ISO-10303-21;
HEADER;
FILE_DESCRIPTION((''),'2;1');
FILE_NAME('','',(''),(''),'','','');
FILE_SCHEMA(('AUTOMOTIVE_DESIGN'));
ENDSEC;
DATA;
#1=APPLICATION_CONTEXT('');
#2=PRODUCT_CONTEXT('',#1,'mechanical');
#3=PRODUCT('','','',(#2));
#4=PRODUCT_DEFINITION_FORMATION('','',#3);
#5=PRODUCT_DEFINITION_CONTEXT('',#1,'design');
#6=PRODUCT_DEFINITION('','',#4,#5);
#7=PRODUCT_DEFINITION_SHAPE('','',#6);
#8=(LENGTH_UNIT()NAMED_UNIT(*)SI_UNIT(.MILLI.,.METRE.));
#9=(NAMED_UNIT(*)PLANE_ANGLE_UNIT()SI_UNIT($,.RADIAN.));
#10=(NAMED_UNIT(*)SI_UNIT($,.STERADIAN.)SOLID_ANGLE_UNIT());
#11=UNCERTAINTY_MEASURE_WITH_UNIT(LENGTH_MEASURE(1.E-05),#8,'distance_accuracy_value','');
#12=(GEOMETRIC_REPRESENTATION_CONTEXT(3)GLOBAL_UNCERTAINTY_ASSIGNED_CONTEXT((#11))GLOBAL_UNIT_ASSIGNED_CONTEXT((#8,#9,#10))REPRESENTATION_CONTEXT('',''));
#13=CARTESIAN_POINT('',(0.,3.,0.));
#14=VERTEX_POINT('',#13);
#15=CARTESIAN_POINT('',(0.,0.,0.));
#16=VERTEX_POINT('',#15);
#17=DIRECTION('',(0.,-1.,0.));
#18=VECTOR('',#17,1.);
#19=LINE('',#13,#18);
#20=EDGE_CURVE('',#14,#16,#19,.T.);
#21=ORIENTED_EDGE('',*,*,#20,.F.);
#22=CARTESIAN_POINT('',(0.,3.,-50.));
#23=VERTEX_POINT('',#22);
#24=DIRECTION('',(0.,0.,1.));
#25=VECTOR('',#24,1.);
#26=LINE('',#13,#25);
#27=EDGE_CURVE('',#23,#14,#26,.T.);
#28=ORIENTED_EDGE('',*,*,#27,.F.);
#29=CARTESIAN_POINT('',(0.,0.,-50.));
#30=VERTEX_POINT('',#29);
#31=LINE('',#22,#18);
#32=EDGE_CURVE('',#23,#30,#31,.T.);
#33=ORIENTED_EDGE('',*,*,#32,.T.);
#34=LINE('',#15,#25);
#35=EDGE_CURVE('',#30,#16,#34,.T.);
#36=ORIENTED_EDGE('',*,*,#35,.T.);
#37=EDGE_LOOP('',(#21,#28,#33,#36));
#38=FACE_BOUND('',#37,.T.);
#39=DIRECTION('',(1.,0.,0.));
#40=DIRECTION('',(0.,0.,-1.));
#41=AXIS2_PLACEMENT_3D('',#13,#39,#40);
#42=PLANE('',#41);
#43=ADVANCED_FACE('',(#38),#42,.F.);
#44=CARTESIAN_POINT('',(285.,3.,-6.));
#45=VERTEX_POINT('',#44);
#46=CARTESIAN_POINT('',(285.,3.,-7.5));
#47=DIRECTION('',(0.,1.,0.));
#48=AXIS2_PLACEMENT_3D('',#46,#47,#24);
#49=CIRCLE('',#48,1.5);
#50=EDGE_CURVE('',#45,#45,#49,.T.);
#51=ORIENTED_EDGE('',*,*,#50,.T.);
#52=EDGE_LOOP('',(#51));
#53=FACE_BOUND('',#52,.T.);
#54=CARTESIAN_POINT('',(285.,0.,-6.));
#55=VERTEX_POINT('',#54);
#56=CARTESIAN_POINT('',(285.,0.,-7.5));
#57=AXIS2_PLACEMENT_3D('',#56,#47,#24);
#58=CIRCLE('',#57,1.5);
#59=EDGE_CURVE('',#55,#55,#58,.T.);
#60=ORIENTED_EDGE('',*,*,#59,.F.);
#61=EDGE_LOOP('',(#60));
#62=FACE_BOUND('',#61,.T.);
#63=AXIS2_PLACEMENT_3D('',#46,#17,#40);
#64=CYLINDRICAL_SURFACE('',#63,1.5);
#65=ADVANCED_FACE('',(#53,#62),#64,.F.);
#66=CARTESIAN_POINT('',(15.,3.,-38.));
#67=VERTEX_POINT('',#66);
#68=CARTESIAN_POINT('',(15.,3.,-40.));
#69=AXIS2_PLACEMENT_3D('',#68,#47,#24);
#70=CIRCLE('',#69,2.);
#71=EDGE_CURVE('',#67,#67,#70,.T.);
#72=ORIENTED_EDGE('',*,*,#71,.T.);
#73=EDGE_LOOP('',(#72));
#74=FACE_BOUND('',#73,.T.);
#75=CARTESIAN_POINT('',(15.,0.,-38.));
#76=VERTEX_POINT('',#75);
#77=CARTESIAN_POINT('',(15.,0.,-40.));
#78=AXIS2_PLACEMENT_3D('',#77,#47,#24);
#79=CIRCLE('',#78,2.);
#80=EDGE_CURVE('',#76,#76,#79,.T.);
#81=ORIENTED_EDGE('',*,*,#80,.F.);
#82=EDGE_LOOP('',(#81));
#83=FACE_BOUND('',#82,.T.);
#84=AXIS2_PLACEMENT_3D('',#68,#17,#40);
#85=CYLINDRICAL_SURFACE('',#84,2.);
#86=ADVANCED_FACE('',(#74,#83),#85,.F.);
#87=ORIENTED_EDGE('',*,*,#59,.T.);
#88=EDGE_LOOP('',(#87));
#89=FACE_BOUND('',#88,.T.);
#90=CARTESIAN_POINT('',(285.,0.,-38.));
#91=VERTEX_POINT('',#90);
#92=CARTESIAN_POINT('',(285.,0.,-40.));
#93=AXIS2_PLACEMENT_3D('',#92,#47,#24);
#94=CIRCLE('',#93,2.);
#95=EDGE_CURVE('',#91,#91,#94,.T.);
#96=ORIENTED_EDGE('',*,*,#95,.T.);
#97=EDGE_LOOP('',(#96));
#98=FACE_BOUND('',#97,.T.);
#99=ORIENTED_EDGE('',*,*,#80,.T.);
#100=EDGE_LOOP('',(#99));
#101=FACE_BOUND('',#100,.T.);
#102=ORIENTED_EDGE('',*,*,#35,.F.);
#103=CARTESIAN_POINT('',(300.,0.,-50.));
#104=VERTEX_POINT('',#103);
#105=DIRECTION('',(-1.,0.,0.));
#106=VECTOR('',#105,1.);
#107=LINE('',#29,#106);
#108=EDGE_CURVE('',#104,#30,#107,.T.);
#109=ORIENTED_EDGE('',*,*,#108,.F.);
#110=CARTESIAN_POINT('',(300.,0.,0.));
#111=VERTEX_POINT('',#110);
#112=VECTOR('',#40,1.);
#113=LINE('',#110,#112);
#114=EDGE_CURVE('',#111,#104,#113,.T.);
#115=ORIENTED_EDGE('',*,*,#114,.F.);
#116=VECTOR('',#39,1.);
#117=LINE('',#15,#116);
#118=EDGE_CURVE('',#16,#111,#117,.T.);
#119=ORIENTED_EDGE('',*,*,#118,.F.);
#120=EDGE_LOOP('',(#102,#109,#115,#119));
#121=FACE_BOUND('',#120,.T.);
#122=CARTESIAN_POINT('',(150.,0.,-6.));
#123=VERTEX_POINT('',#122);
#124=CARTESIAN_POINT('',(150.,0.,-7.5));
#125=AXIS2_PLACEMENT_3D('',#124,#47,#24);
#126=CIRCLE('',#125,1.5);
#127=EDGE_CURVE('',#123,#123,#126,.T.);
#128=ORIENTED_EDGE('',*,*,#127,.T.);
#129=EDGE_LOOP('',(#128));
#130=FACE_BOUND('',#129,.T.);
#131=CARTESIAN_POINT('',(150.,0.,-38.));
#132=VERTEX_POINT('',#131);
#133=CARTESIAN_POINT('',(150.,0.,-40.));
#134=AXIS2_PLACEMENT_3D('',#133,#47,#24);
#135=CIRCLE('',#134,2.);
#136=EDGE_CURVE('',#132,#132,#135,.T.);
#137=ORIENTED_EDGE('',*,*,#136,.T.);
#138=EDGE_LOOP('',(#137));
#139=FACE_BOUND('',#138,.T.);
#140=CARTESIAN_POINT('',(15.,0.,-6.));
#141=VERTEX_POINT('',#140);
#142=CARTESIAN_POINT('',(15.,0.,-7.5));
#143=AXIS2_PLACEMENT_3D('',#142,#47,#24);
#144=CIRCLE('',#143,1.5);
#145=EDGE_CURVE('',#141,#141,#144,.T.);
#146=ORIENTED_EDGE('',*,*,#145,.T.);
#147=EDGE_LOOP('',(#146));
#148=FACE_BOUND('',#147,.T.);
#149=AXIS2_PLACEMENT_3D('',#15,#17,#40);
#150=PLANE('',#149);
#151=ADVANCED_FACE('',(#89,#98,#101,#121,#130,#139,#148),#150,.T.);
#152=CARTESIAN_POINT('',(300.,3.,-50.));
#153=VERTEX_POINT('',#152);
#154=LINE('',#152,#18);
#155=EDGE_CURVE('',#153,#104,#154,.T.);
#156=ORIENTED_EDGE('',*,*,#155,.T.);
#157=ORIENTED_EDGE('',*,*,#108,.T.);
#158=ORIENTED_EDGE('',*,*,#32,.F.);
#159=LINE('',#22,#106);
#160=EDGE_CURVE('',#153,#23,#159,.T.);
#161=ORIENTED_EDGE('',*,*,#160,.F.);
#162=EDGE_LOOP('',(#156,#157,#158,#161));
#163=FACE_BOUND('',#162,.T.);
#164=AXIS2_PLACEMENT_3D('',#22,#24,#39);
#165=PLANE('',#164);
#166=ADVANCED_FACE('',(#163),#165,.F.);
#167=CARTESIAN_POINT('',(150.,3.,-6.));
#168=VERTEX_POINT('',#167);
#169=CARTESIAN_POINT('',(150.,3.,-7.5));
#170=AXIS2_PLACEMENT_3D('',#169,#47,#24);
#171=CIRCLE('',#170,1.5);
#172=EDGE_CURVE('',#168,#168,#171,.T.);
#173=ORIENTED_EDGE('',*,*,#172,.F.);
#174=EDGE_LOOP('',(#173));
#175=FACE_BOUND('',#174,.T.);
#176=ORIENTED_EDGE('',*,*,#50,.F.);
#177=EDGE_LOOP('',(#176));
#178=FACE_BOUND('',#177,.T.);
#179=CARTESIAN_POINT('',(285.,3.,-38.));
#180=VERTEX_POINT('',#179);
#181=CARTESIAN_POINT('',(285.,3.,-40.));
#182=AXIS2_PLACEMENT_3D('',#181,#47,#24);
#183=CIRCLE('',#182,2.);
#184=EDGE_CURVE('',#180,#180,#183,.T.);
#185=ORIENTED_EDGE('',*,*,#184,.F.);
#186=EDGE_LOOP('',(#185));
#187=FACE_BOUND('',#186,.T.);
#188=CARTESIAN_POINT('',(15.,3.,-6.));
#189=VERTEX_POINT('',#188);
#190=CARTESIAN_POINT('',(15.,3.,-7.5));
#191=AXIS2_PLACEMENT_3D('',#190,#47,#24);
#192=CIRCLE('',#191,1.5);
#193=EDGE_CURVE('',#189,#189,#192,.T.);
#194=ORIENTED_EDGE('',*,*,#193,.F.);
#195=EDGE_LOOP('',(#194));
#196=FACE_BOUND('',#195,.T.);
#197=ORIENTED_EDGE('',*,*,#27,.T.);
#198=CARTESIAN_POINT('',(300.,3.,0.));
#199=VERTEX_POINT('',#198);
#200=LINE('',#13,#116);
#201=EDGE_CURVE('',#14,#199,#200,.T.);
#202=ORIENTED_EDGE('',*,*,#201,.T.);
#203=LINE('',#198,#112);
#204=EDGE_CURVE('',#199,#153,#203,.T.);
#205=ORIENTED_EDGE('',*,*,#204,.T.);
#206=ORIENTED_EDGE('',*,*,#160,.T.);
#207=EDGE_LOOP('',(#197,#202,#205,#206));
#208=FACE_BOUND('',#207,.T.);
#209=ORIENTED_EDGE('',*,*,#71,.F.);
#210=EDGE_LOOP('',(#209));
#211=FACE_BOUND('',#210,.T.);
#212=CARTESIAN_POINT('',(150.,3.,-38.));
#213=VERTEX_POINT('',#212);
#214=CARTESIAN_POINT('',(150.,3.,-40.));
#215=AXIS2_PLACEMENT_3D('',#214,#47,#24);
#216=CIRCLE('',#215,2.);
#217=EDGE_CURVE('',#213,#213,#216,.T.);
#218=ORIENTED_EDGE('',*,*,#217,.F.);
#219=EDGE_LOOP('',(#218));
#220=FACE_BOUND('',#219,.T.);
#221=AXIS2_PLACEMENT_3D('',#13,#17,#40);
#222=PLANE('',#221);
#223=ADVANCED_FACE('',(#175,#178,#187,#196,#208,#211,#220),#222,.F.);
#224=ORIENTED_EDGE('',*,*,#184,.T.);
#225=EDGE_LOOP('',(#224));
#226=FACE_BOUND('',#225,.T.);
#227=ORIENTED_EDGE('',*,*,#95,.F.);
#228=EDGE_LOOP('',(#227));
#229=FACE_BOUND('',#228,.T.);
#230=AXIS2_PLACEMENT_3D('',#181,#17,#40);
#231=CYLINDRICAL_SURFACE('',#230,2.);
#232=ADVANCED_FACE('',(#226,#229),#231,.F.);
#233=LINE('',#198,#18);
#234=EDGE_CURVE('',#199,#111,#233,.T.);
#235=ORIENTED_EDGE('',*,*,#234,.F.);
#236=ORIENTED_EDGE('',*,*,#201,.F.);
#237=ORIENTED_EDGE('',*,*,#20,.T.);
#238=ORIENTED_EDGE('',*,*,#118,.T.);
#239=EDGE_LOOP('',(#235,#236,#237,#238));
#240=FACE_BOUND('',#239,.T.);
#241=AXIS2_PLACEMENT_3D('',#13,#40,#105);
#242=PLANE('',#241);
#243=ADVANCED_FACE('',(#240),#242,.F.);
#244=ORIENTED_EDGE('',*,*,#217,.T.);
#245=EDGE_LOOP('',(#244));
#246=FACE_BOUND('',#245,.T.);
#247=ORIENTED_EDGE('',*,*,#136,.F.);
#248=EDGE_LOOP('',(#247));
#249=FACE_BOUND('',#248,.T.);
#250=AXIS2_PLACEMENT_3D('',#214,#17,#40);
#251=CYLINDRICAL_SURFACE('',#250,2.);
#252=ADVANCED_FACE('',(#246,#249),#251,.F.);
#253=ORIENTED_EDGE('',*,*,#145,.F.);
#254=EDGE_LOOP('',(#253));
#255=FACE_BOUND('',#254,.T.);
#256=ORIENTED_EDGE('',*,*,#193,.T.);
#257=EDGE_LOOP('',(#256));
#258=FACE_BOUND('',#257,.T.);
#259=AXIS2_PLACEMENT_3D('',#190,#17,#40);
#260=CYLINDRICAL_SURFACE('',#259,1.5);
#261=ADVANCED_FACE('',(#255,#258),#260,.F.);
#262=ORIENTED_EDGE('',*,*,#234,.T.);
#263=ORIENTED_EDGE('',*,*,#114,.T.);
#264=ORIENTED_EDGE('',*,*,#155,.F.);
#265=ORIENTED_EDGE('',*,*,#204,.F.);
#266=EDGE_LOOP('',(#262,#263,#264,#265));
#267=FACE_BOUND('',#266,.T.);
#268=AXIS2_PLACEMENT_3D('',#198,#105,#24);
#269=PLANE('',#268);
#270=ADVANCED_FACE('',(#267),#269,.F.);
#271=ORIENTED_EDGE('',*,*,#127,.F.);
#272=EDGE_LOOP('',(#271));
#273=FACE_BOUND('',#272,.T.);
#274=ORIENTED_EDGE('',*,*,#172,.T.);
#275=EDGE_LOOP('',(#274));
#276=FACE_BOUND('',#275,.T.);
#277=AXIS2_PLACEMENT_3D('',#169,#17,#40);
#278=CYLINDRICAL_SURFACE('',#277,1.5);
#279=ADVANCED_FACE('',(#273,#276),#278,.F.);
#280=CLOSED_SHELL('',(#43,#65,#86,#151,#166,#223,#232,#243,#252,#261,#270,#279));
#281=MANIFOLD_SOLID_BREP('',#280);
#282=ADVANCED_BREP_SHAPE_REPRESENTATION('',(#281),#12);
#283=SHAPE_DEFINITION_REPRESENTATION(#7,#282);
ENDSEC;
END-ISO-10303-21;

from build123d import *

# Parameters (mm, degrees)
SKETCH1_W           = 300
SKETCH1_H           = 50
SKETCH1_R           = 2
SKETCH1_R_2         = 1.5
BOSS_EXTRUDE1_DEPTH = 3


with BuildPart() as part:
    # Sketch1 → Boss-Extrude1 (new body)
    with BuildSketch(Plane(origin=(0, 0, 0), x_dir=(1, 0, 0), z_dir=(0, 1, 0))):
        with Locations((150, 25)):
            Rectangle(SKETCH1_W, SKETCH1_H)
        with Locations(Location((15, 40, 0), (0, 0, 270))):
            Circle(SKETCH1_R, mode=Mode.SUBTRACT)
        with Locations(Location((150, 40, 0), (0, 0, 270))):
            Circle(SKETCH1_R, mode=Mode.SUBTRACT)
        with Locations(Location((285, 40, 0), (0, 0, 270))):
            Circle(SKETCH1_R, mode=Mode.SUBTRACT)
        with Locations(Location((15, 7.5, 0), (0, 0, 270))):
            Circle(SKETCH1_R_2, mode=Mode.SUBTRACT)
        with Locations(Location((150, 7.5, 0), (0, 0, 270))):
            Circle(SKETCH1_R_2, mode=Mode.SUBTRACT)
        with Locations(Location((285, 7.5, 0), (0, 0, 270))):
            Circle(SKETCH1_R_2, mode=Mode.SUBTRACT)
    extrude(amount=BOSS_EXTRUDE1_DEPTH)


solid = part.part
